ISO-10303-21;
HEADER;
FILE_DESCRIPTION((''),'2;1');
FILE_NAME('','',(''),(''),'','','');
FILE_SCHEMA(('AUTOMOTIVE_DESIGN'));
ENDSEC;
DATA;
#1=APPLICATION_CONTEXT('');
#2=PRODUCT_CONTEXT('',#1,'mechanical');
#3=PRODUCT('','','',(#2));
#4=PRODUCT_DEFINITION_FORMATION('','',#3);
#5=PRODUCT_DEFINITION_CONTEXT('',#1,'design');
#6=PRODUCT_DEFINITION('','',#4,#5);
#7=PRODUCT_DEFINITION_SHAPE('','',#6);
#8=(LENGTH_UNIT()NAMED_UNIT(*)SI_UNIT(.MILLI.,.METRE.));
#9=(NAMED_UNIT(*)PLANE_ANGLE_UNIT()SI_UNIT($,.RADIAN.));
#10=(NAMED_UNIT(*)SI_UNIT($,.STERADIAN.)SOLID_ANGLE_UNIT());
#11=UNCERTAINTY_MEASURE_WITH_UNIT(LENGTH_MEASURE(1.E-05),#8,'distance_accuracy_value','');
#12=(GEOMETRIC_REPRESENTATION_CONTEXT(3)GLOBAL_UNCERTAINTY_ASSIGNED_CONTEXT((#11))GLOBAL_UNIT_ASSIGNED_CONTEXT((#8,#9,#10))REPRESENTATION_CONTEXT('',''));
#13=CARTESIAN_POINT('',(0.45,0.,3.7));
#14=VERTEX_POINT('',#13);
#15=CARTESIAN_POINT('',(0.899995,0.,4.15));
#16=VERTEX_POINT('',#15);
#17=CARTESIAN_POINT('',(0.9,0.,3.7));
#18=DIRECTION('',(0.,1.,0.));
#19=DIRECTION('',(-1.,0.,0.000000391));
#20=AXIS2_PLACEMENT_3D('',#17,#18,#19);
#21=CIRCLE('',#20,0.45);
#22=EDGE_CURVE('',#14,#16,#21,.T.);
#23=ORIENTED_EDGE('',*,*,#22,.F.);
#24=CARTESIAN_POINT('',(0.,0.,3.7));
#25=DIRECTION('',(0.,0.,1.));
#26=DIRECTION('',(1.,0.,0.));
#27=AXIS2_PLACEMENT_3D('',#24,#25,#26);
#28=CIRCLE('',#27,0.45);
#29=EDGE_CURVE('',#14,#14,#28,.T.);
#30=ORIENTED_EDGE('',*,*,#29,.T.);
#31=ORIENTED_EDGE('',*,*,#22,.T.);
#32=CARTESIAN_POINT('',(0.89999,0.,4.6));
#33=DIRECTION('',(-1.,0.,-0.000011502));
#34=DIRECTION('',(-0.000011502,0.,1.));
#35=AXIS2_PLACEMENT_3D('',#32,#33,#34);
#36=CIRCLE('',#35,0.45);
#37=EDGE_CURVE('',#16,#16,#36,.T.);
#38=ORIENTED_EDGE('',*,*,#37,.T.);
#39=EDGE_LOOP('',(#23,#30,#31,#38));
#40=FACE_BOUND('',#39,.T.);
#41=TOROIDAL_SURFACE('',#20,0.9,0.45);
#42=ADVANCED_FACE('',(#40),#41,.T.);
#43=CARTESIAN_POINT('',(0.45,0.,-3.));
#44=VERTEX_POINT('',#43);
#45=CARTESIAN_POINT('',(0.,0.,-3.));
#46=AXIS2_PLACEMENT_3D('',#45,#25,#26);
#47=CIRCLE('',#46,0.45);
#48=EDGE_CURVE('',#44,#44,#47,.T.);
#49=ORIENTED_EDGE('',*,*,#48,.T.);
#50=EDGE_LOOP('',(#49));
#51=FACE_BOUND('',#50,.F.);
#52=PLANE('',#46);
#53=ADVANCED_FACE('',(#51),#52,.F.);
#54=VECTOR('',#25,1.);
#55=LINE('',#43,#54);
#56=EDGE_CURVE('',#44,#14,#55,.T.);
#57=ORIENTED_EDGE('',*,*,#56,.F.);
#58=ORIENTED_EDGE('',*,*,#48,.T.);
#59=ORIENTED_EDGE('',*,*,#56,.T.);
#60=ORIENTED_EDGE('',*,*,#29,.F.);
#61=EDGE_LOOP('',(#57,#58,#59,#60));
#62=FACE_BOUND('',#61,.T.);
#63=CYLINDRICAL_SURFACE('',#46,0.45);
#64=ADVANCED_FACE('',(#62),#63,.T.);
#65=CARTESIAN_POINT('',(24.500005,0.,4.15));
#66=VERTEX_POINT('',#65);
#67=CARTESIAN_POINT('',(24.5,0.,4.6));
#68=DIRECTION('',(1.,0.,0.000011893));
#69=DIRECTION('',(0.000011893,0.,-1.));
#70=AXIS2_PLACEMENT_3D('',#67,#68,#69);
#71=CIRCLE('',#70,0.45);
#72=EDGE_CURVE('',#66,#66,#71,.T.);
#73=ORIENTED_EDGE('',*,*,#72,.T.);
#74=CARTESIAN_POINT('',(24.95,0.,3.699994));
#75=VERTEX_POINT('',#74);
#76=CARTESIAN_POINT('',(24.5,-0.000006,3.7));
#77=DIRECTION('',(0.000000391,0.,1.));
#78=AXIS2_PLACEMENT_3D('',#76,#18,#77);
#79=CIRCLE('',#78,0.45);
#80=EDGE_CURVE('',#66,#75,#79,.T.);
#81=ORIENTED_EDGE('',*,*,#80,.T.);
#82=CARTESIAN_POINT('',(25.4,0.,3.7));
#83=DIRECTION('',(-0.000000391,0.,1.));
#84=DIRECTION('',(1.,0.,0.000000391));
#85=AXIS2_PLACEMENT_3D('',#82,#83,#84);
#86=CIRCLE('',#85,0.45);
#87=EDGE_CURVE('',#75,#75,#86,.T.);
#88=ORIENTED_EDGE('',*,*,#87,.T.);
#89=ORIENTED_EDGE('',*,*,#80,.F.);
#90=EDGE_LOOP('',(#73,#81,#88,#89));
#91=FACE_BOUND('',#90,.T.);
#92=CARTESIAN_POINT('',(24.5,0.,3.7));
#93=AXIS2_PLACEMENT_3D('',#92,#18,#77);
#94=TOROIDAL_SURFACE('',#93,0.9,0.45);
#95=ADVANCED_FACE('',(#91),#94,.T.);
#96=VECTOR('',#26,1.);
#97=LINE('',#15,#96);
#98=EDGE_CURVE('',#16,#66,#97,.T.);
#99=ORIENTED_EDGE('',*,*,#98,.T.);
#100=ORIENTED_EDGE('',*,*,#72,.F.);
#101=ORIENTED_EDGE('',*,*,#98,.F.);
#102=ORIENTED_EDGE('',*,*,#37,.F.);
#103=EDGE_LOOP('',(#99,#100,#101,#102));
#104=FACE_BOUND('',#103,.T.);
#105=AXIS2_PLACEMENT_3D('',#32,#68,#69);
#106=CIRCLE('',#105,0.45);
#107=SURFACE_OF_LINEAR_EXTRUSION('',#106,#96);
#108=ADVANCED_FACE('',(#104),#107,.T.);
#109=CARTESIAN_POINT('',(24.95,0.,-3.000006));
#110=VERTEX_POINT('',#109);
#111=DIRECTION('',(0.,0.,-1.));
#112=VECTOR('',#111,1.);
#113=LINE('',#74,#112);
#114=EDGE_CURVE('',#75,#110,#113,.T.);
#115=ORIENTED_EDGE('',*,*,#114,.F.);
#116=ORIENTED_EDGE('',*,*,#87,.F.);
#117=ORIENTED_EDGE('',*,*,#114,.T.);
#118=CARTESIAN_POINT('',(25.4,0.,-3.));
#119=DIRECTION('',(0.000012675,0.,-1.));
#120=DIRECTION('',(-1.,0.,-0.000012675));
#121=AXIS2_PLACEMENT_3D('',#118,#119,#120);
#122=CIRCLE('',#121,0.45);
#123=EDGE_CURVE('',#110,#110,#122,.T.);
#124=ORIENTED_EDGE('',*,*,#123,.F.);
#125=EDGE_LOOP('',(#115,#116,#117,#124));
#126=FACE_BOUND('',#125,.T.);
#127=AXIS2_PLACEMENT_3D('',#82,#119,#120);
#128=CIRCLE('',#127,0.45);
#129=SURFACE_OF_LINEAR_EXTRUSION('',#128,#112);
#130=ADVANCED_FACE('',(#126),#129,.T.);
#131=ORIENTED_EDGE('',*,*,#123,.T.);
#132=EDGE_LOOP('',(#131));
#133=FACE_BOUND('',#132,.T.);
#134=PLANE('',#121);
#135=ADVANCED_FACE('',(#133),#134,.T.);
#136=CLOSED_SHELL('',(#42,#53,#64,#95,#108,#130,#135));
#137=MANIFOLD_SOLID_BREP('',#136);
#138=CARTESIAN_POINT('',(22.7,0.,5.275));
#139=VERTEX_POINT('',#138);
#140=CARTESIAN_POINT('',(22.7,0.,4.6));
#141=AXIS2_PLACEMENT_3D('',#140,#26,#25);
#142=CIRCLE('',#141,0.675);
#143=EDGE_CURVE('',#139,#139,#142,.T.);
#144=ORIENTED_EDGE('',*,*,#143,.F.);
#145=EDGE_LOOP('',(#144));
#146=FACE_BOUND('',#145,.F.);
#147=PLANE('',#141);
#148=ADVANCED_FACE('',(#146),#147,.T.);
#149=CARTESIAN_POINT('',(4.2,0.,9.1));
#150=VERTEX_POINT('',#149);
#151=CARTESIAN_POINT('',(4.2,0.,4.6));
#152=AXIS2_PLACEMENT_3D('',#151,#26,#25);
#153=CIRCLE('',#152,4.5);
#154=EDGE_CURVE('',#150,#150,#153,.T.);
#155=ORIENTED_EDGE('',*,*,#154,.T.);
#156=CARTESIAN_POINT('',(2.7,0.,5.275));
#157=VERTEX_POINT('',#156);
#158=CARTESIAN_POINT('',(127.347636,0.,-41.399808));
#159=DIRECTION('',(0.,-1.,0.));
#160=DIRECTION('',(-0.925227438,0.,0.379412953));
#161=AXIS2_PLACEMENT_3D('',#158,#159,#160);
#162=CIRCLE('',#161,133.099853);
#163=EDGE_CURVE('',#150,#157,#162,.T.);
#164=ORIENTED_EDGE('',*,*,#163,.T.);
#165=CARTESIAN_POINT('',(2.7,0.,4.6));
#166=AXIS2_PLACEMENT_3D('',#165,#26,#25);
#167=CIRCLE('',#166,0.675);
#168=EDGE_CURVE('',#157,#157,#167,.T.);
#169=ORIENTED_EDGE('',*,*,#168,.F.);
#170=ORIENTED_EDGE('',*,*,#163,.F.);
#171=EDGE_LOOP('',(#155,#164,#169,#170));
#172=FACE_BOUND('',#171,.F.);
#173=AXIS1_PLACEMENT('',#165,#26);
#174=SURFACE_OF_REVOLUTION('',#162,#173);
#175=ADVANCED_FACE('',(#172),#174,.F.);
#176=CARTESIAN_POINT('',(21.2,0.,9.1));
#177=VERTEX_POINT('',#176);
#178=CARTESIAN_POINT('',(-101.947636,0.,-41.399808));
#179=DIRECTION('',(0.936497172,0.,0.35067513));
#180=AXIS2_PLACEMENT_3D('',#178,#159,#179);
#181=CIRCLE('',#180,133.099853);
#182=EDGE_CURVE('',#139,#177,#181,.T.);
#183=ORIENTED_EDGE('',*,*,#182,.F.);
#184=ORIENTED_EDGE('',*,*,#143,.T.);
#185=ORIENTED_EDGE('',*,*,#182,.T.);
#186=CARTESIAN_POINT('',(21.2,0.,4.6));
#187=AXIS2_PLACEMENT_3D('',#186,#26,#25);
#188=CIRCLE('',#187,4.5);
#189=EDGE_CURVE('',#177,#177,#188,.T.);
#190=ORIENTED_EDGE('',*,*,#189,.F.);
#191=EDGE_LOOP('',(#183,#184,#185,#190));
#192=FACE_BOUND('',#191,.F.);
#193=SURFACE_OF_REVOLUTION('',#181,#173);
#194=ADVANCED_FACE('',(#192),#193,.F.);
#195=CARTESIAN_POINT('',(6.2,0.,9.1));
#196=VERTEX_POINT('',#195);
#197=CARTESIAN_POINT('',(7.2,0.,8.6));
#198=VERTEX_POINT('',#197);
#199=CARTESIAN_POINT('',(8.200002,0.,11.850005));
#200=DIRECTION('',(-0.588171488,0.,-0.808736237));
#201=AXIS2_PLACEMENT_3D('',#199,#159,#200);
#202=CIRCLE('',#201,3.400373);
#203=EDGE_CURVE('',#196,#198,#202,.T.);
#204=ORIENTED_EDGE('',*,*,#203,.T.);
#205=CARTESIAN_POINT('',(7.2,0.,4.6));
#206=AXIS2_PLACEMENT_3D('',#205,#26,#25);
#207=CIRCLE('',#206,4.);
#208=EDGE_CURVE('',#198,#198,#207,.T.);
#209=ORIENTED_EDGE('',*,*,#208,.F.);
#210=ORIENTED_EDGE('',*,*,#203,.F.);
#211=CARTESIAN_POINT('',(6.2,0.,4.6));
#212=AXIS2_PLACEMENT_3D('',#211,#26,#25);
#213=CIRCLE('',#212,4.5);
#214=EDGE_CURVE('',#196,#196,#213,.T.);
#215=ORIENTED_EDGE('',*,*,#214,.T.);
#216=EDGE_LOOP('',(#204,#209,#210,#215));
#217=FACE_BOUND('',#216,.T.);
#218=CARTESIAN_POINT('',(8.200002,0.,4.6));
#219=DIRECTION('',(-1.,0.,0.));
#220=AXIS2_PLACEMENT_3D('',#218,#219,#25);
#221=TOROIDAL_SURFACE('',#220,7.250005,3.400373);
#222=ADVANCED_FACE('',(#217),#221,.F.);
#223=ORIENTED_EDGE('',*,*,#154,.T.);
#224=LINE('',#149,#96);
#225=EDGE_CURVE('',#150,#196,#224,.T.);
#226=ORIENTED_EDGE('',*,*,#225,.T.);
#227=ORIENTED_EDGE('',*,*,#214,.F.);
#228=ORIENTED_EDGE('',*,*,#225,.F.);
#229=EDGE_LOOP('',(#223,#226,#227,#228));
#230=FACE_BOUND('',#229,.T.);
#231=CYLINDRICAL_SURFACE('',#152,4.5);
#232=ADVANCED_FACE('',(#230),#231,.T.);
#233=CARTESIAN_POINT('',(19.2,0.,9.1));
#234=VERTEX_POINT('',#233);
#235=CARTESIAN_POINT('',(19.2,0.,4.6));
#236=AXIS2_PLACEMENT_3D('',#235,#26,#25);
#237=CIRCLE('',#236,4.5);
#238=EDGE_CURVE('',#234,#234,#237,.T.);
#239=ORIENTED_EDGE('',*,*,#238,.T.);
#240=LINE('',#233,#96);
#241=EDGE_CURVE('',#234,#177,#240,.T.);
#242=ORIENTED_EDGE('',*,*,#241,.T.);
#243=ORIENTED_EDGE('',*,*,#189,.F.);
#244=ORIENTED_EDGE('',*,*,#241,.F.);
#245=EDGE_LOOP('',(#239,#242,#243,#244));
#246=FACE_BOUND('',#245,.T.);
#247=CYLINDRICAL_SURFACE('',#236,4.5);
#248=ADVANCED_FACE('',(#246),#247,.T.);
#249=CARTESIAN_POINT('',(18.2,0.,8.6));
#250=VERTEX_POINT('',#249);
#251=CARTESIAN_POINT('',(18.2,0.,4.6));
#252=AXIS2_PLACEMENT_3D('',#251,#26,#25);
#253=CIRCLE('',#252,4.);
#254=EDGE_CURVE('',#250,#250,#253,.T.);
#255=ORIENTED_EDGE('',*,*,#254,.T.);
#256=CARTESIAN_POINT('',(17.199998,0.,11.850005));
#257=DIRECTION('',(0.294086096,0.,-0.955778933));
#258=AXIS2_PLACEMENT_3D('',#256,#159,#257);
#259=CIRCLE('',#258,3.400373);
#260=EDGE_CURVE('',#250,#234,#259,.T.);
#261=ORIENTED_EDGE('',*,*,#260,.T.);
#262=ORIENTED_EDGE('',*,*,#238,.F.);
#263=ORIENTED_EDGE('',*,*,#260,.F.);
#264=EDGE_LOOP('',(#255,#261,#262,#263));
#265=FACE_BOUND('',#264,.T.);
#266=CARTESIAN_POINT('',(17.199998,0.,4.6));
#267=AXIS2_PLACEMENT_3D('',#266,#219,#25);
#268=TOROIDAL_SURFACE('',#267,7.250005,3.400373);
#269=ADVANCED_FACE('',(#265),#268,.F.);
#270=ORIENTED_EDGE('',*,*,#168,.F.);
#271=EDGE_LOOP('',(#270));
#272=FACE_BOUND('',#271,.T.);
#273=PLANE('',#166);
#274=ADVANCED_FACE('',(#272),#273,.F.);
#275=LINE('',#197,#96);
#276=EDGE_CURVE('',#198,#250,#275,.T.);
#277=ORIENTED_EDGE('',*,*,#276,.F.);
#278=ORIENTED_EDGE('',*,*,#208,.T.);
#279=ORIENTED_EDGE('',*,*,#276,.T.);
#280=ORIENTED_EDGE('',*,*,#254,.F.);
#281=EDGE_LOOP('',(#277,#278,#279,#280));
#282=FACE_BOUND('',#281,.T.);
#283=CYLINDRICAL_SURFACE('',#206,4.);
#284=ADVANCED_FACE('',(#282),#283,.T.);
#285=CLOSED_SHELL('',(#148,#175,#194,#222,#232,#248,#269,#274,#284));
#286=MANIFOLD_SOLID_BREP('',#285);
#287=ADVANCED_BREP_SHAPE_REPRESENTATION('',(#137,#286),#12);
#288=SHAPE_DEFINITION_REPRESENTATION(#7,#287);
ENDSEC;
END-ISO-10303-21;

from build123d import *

# Parameters (mm, degrees)
SKETCH_R = 0.45


with BuildPart() as revolution:
    # Sketch002 → Revolution (revolve)
    with BuildSketch(Plane.XZ):
        with BuildLine():
            Line((4.2, 9.1), (6.2, 9.1))
            ThreePointArc((6.2, 9.1), (6.679309, 8.808619), (7.2, 8.6))
            Line((7.2, 8.6), (18.2, 8.6))
            ThreePointArc((18.2, 8.6), (18.720691, 8.808619), (19.2, 9.1))
            Line((19.2, 9.1), (21.2, 9.1))
            ThreePointArc((22.7, 5.275), (21.96476, 7.193288), (21.2, 9.1))
            Line((22.7, 4.6), (22.7, 5.275))
            Line((2.7, 4.6), (22.7, 4.6))
            Line((2.7, 4.6), (2.7, 5.275))
            ThreePointArc((4.2, 9.1), (3.43524, 7.193288), (2.7, 5.275))
        make_face()
    revolve(axis=Axis((2.7, 0, 4.6), (1, 0, 0)))


with BuildPart() as sweep_body:
    # Sweep: sweep along a path in Sketch001
    with BuildLine(Plane.XZ) as sweep_path:
        Line((0, -3), (0, 3.7))
        ThreePointArc((0, 3.7), (0.2636, 4.336392), (0.89999, 4.6))
        Line((0.89999, 4.6), (24.5, 4.6))
        ThreePointArc((24.5, 4.6), (25.136396, 4.336396), (25.4, 3.7))
        Line((25.4, 3.7), (25.4, -3))
    # Sketch → Sweep (sweep)
    with BuildSketch(Plane.XY.offset(-2)):
        Circle(SKETCH_R)
    sweep(path=sweep_path.line)


solid = Compound([revolution.part, sweep_body.part])
